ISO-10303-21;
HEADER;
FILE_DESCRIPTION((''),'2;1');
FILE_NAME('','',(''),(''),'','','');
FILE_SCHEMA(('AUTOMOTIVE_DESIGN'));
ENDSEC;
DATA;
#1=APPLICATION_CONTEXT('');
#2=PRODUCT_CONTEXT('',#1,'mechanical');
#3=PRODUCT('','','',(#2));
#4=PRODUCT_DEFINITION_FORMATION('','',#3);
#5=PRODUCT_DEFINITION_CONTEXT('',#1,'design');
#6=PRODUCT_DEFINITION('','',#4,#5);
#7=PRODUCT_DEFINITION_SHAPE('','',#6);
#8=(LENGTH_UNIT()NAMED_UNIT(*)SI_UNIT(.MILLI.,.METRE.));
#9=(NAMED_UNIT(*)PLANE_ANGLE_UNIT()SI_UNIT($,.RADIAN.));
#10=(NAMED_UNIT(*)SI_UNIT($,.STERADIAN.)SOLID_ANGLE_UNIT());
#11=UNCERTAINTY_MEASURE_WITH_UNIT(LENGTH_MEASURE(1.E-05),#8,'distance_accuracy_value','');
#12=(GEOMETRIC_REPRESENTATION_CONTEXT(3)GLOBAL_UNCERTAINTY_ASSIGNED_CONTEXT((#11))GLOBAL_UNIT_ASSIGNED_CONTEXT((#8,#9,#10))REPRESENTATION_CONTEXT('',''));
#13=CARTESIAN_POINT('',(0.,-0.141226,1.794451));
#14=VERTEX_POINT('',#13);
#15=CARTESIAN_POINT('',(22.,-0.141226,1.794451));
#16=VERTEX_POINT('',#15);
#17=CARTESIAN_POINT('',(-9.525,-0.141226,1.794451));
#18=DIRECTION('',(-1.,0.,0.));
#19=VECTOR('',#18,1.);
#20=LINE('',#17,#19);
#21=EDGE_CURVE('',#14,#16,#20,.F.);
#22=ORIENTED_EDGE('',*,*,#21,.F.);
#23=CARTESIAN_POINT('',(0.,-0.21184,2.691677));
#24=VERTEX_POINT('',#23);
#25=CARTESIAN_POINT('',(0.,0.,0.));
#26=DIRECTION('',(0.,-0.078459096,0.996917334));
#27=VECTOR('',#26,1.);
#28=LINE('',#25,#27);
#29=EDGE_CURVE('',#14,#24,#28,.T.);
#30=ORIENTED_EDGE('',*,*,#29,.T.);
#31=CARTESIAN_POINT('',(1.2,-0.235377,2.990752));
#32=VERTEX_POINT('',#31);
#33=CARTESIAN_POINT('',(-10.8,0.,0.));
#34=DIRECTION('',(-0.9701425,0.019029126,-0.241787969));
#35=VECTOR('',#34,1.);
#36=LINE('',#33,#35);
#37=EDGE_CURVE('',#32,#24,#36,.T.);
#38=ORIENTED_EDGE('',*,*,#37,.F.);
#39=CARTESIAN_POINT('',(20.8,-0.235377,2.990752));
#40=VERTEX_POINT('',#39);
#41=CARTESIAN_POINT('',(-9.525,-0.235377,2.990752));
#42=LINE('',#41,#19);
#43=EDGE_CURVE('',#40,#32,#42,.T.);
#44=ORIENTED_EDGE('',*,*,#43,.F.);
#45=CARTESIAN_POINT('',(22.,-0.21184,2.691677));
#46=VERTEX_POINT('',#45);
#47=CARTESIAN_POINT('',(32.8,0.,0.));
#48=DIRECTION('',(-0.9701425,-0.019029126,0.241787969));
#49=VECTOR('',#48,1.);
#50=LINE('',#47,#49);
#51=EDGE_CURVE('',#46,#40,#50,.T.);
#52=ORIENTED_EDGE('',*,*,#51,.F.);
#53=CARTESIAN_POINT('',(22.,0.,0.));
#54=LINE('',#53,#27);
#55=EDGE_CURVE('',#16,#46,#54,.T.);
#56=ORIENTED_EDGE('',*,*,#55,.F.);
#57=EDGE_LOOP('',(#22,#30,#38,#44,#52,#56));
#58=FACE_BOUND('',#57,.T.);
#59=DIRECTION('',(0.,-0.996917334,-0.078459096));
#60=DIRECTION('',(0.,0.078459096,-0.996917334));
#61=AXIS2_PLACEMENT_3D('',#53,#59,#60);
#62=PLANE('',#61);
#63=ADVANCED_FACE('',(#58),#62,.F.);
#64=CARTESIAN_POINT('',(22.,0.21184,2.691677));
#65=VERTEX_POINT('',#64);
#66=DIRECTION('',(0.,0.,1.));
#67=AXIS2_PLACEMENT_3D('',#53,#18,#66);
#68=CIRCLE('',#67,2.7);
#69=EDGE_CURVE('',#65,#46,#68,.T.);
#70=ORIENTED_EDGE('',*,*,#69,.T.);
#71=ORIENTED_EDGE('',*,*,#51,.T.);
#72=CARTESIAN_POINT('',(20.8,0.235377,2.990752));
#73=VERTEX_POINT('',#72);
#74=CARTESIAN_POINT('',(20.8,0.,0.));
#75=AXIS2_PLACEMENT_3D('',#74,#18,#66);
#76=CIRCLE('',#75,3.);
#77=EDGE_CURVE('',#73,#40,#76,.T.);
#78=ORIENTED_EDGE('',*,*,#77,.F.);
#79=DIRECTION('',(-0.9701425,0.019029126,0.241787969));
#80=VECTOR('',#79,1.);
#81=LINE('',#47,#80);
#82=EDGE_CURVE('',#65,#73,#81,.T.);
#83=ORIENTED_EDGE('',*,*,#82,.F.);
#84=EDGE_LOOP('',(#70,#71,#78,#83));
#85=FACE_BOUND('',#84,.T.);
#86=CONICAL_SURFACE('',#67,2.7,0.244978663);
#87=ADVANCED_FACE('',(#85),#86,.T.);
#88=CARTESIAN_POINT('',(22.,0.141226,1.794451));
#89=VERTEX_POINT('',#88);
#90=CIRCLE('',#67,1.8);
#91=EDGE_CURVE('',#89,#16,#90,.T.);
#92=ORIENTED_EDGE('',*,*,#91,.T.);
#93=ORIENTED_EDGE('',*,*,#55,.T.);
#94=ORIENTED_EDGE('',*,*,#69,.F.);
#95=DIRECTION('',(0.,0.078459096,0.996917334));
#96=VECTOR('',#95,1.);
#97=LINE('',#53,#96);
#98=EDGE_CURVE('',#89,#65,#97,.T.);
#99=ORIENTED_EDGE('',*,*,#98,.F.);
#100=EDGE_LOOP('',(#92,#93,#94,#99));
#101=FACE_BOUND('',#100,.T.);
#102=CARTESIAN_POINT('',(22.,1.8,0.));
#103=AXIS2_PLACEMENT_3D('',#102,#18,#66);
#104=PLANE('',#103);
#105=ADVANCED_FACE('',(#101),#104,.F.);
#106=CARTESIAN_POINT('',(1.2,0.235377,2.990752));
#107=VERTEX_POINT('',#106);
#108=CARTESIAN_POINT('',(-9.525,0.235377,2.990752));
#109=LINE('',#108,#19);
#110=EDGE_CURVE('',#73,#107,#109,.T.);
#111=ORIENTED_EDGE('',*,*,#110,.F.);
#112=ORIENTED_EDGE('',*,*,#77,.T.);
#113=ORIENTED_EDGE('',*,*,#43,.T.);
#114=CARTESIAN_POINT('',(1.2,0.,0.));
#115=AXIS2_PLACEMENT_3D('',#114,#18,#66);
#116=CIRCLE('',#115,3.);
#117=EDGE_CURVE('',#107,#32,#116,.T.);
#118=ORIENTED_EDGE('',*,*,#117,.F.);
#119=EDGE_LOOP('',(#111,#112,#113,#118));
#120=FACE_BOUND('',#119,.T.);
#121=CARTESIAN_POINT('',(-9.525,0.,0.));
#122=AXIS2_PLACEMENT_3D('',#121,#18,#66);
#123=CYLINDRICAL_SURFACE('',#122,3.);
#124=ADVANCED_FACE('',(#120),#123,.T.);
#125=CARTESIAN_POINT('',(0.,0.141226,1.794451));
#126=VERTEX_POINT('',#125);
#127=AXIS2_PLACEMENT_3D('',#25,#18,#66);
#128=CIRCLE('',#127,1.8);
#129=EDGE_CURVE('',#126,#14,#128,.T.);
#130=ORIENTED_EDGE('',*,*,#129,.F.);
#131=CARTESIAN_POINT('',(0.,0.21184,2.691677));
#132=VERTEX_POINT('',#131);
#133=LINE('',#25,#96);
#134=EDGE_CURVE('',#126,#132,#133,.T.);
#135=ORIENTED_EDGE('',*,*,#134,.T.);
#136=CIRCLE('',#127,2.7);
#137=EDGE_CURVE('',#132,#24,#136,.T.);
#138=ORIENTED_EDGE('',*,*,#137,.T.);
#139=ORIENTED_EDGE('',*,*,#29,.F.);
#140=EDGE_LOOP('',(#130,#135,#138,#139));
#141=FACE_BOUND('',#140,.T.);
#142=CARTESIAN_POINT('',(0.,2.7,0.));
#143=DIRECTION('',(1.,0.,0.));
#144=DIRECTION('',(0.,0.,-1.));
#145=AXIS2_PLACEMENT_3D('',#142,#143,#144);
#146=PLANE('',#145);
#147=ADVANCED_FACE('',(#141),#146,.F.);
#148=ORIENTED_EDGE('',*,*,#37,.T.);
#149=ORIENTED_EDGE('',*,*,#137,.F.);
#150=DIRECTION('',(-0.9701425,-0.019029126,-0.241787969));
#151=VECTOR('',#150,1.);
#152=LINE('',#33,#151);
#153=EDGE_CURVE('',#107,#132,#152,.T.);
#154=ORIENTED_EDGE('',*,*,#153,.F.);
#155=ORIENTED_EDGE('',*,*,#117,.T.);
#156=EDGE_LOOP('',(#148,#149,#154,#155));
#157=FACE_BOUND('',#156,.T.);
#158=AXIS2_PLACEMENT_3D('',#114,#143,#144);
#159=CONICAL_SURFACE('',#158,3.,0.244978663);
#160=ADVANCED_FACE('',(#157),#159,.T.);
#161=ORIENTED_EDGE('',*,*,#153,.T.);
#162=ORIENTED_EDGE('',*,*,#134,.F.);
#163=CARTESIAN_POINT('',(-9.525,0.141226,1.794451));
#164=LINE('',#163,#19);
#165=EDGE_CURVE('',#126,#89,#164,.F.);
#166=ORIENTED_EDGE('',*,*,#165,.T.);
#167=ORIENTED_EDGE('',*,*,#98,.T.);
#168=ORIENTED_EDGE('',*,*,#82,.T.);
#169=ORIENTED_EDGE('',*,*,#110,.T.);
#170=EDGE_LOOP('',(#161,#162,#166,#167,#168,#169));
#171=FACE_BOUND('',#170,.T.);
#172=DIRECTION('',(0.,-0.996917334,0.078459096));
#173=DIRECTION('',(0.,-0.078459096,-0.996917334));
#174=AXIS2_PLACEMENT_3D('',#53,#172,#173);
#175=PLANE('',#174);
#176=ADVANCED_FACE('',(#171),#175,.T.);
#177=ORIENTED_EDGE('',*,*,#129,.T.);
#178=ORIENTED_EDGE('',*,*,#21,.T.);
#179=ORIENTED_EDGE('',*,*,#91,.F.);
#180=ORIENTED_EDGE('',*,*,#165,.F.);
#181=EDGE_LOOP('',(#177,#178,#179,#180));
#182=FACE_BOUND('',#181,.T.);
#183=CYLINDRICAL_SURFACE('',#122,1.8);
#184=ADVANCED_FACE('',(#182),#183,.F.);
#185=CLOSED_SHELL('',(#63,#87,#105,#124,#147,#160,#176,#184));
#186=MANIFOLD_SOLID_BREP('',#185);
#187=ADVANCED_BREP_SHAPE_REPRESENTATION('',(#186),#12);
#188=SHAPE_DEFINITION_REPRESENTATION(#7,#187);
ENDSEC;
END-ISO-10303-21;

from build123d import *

# Parameters (mm, degrees)
GAP_DEPTH = 23.405356502


with BuildPart() as part:
    # Sketch1 → Base-Revolve (revolve)
    with BuildSketch(Plane.XY, mode=Mode.PRIVATE) as base_revolve_sk:
        Polygon((0, 1.8), (22, 1.8), (22, 2.7), (20.8, 3), (1.2, 3), (0, 2.7), align=None)
    revolve(base_revolve_sk.sketch.rotate(Axis((-9.525, 0, 0), (1, 0, 0)), 90), axis=Axis((-9.525, 0, 0), (1, 0, 0)))

    # Sketch2 → Gap (cut, through all)
    with BuildSketch(Plane(origin=(0, 0, 0), x_dir=(0, -1, 0), z_dir=(-1, 0, 0))):
        with BuildLine():
            Line((0, 0), (0.240084833, 3.050567041))
            ThreePointArc((0.240084833, 3.050567041), (0, 3.06), (-0.240084833, 3.050567041))
            Line((-0.240084833, 3.050567041), (0, 0))
        make_face()
    extrude(amount=-GAP_DEPTH, mode=Mode.SUBTRACT)


solid = part.part
